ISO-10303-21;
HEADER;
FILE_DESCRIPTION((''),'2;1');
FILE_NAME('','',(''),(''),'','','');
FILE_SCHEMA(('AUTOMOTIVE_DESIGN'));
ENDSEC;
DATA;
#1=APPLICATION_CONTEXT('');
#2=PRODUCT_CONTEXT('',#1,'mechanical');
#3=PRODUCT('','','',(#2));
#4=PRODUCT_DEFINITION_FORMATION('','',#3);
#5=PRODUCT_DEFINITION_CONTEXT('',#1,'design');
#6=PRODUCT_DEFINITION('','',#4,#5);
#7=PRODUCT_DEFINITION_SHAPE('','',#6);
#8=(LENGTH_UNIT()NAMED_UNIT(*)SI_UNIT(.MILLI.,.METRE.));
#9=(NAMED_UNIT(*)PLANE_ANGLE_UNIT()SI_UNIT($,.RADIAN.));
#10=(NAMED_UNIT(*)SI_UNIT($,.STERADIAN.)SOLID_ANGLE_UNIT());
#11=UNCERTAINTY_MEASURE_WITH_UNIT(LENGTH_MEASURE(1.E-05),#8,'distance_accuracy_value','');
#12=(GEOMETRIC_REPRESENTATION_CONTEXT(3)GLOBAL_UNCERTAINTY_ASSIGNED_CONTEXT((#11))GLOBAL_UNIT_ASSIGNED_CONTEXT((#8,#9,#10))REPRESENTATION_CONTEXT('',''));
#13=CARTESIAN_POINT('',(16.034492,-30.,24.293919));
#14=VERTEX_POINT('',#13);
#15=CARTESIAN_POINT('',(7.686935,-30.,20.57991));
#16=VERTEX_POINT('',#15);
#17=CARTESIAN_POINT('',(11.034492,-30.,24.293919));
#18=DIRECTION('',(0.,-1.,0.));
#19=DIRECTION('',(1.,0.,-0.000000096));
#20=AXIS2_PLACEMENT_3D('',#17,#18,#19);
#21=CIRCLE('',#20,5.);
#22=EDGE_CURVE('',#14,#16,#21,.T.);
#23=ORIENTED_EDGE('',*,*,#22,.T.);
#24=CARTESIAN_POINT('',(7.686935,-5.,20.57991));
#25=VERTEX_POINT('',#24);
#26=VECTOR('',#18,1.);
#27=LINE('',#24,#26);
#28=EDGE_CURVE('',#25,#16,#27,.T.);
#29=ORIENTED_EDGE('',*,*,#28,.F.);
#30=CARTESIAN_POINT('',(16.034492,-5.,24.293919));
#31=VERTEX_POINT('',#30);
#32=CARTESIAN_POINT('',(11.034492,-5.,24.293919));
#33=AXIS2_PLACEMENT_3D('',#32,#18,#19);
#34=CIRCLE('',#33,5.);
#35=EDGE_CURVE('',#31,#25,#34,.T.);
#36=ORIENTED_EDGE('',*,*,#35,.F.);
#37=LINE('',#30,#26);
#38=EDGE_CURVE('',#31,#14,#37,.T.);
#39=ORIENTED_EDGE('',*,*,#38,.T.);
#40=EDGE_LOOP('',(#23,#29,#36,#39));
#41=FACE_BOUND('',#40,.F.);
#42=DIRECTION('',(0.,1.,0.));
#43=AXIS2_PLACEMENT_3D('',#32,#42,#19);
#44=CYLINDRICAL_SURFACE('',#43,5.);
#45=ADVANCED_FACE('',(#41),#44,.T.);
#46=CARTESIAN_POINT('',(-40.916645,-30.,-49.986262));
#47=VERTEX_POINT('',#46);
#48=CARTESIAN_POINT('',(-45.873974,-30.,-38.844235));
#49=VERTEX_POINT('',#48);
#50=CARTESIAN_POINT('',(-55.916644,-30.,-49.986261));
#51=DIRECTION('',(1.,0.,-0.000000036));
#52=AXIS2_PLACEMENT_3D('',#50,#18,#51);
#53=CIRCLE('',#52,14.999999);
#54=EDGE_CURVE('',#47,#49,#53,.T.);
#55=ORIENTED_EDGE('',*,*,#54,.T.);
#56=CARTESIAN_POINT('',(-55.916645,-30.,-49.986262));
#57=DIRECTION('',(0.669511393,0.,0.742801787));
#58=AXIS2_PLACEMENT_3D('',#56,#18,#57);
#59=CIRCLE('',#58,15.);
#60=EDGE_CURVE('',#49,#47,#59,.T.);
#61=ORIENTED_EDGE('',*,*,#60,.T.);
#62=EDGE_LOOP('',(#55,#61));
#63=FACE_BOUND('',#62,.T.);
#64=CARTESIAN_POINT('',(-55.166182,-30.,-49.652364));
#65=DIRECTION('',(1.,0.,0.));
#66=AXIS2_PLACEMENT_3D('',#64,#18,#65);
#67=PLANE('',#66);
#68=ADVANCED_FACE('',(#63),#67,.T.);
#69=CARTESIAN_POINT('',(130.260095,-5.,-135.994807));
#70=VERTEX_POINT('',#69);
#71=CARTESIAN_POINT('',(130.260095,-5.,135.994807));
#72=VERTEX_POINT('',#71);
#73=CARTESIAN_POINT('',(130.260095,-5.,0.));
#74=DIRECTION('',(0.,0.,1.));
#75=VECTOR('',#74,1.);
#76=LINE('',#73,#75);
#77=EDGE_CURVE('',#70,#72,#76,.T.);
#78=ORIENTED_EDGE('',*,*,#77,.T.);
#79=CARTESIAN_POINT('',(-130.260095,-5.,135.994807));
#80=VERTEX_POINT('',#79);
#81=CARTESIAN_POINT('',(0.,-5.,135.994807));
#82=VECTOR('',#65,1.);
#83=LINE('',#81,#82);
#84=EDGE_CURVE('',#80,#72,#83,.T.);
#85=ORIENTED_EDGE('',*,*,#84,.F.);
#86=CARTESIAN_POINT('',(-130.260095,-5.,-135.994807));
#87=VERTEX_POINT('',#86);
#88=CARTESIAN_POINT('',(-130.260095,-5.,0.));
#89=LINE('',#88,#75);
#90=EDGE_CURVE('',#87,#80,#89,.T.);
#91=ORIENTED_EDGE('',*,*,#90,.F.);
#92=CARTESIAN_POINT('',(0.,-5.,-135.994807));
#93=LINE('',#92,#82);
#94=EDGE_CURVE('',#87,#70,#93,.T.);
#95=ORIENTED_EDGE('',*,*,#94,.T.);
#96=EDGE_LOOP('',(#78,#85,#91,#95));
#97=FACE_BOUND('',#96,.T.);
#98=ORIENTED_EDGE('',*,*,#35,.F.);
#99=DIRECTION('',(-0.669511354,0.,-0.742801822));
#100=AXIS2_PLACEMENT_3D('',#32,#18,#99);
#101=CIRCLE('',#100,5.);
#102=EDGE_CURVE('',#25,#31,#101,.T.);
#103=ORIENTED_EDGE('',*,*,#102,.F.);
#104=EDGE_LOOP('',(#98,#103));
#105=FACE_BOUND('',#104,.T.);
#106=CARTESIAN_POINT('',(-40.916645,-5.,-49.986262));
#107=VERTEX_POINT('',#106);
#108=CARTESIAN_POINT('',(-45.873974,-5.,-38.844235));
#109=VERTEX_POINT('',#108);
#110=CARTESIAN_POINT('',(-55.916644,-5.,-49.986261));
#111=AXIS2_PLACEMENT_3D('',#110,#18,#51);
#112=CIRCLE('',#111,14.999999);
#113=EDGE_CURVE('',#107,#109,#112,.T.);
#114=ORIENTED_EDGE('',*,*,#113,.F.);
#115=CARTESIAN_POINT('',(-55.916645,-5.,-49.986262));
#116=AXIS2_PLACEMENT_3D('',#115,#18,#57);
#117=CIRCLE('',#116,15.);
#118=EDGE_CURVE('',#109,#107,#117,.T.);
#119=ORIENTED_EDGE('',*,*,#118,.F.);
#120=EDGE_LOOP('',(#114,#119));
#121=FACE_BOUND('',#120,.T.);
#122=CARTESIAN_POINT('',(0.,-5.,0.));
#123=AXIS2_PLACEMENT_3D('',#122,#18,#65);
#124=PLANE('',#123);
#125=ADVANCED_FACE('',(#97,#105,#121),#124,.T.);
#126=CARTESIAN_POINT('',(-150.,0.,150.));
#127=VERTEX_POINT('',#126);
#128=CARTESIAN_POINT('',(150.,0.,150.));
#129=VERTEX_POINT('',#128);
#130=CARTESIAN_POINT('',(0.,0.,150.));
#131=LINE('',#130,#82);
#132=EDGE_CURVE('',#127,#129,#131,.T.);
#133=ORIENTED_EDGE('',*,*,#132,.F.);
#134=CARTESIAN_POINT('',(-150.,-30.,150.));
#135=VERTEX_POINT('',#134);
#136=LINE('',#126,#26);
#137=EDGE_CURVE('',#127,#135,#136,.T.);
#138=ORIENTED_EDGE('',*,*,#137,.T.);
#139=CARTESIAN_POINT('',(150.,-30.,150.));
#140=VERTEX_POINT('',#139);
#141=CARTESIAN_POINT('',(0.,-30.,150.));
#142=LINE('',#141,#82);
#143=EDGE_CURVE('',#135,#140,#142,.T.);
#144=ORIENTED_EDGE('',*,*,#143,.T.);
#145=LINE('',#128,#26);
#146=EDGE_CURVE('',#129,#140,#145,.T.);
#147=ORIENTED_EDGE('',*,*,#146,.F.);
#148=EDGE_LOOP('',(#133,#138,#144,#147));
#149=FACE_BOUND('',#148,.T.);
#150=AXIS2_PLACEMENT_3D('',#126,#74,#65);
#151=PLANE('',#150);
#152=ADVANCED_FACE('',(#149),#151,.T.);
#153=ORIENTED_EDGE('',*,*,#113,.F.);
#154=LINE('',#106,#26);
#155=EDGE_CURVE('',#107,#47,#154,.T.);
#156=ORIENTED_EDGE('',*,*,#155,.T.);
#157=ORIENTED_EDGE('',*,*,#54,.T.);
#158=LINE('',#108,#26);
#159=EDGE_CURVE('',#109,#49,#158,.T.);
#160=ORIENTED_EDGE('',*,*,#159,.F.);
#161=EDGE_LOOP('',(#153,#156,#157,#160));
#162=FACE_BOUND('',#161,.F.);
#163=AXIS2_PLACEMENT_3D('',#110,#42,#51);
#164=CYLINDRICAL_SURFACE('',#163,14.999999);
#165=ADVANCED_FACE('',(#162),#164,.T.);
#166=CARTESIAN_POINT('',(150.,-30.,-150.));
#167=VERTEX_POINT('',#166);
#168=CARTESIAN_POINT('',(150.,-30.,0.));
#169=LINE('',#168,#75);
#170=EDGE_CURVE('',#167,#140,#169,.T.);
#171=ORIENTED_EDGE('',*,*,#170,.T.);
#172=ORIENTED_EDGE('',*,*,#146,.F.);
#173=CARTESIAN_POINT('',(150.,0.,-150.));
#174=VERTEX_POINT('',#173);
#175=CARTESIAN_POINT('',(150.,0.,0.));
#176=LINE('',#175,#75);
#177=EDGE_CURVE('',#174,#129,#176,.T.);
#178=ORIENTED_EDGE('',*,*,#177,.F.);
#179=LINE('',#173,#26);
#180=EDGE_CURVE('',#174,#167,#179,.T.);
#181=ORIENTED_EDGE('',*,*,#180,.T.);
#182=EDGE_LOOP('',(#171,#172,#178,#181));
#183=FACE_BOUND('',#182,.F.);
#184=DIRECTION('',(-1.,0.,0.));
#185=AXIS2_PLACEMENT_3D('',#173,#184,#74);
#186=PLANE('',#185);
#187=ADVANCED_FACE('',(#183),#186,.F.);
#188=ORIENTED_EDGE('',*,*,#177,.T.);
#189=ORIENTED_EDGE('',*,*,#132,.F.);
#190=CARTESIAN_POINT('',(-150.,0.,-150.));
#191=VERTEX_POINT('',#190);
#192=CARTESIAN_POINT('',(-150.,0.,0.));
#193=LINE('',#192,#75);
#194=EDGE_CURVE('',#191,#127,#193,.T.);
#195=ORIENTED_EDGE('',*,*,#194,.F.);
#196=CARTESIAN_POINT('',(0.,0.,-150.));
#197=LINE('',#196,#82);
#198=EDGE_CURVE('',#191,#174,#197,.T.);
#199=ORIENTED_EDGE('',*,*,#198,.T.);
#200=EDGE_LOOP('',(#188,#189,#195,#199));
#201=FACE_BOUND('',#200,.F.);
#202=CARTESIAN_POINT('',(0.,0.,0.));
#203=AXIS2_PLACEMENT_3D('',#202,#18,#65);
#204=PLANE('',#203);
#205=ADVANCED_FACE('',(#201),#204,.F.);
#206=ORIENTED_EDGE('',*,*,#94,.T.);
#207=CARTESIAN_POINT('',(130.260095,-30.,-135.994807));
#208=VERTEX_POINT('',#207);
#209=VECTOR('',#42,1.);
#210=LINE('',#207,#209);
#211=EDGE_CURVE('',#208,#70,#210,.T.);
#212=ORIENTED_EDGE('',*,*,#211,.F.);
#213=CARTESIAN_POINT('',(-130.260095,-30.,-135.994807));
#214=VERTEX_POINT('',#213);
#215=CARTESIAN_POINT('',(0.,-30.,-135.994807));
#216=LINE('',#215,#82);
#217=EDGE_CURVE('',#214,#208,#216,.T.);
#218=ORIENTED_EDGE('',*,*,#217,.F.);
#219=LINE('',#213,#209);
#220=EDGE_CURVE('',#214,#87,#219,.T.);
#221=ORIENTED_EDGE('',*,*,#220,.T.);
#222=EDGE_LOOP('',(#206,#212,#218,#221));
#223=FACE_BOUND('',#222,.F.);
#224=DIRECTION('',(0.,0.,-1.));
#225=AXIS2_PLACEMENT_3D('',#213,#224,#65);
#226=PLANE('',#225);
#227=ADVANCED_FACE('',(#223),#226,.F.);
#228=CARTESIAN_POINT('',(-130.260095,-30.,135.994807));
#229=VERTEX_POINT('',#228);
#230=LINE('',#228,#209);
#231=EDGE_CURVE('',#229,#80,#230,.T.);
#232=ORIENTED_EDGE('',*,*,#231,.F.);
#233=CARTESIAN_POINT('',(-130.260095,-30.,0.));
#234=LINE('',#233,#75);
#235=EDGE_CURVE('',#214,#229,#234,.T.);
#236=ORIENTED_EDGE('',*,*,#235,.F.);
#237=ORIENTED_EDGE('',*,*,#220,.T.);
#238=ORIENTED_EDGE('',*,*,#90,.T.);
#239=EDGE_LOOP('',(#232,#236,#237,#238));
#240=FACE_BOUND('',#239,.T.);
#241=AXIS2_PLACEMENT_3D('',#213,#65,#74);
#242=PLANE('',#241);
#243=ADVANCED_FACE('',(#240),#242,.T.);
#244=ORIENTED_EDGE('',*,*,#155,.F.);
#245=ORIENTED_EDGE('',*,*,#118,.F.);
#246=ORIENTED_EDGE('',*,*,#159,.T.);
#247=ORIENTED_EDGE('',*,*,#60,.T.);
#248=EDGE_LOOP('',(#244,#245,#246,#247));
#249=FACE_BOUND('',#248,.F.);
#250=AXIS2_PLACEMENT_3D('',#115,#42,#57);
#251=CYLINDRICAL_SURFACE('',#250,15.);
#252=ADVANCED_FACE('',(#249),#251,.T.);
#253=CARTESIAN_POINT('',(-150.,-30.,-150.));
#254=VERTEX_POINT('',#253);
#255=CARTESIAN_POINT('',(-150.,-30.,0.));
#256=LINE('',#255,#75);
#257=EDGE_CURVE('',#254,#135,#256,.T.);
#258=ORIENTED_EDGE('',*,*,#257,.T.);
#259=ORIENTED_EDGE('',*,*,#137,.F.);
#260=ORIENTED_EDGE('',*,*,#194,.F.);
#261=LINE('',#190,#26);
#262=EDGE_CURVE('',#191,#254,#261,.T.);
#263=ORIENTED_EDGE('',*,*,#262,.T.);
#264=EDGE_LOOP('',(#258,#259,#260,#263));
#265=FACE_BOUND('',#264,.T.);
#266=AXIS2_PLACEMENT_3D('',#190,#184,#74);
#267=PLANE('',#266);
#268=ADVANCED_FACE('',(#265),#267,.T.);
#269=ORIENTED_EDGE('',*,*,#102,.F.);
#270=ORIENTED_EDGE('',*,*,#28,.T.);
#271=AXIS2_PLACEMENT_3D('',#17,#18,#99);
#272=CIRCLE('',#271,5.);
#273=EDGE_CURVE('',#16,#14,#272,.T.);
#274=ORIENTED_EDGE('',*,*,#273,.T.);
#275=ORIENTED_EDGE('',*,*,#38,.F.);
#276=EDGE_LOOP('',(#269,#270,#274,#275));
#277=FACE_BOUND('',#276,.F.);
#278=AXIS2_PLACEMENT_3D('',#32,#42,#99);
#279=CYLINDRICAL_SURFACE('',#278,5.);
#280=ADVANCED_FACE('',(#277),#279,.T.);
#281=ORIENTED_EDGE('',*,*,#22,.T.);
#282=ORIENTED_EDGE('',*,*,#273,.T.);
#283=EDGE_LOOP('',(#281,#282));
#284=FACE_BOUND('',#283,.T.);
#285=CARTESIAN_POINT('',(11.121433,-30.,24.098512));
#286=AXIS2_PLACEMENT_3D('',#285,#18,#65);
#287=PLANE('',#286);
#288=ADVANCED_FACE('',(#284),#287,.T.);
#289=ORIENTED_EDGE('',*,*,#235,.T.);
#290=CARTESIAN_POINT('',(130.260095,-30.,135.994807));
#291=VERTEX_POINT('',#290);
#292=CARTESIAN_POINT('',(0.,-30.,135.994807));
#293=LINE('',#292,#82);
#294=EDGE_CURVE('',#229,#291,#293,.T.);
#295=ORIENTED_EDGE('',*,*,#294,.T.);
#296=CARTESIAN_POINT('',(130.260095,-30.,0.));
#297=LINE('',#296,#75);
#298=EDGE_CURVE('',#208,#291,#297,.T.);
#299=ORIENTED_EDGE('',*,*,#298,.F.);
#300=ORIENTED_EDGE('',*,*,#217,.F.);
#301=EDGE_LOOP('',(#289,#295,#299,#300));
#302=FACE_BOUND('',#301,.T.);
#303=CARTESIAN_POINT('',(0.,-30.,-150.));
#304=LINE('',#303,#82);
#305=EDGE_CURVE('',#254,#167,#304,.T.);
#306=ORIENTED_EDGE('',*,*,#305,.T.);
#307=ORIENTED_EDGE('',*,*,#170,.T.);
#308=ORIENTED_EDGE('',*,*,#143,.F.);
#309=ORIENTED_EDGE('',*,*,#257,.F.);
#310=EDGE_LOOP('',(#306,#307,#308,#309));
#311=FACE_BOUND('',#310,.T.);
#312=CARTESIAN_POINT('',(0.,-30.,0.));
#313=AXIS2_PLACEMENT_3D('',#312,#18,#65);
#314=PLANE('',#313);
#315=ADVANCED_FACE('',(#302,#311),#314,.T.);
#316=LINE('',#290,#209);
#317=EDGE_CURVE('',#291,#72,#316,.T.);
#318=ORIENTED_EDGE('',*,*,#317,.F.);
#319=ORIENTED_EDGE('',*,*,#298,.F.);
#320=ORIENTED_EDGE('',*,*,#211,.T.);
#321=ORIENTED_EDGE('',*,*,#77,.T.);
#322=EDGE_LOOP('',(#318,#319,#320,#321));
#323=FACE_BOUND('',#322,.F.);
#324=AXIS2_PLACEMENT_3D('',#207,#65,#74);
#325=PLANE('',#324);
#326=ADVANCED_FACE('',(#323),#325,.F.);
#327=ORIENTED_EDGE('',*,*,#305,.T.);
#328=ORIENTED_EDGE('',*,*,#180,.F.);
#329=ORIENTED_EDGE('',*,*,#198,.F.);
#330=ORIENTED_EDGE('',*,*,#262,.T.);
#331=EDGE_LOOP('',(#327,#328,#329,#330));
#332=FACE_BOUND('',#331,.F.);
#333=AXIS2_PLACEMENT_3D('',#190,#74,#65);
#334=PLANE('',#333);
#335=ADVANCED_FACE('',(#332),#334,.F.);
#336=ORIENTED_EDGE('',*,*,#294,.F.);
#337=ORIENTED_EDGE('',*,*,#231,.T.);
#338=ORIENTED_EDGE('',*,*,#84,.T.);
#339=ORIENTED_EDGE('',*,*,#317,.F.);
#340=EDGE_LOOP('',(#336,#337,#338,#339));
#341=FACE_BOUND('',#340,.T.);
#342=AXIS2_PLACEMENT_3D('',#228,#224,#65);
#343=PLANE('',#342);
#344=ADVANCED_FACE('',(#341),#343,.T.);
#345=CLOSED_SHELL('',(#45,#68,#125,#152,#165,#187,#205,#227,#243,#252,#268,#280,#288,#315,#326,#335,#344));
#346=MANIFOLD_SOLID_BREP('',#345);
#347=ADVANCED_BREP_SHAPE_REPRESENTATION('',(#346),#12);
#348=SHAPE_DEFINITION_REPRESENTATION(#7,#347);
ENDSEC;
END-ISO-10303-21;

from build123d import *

# Parameters (mm, degrees)
F0_W     = 300
F0_H     = 300
F1_DEPTH = 30
F2_W     = 260.52019
F2_H     = 271.989614
F3_DEPTH = 25
F5_DEPTH = 25


with BuildPart() as f1:
    # F0 (on Front) → F1 (new body)
    with BuildSketch(Plane.XZ):
        Rectangle(F0_W, F0_H)
    extrude(amount=F1_DEPTH)

    # F2 (on face) → F3 (cut)
    with BuildSketch(Plane.XZ.offset(30)):
        Rectangle(F2_W, F2_H)
    extrude(amount=-F3_DEPTH, mode=Mode.SUBTRACT)

    # F4 (on face) → F5 (join)
    with BuildSketch(Plane.XZ.offset(5)):
        with BuildLine():
            ThreePointArc((-45.873974, -38.844235), (-69.621389, -56.0838), (-40.916645, -49.986262))
            ThreePointArc((-40.916645, -49.986262), (-42.2119, -43.888724), (-45.873974, -38.844235))
        make_face()
        with BuildLine():
            ThreePointArc((16.034492, 24.293919), (9.001979, 28.862168), (7.686935, 20.57991))
            ThreePointArc((7.686935, 20.57991), (13.067005, 19.725671), (16.034492, 24.293919))
        make_face()
    extrude(amount=F5_DEPTH)


solid = f1.part
